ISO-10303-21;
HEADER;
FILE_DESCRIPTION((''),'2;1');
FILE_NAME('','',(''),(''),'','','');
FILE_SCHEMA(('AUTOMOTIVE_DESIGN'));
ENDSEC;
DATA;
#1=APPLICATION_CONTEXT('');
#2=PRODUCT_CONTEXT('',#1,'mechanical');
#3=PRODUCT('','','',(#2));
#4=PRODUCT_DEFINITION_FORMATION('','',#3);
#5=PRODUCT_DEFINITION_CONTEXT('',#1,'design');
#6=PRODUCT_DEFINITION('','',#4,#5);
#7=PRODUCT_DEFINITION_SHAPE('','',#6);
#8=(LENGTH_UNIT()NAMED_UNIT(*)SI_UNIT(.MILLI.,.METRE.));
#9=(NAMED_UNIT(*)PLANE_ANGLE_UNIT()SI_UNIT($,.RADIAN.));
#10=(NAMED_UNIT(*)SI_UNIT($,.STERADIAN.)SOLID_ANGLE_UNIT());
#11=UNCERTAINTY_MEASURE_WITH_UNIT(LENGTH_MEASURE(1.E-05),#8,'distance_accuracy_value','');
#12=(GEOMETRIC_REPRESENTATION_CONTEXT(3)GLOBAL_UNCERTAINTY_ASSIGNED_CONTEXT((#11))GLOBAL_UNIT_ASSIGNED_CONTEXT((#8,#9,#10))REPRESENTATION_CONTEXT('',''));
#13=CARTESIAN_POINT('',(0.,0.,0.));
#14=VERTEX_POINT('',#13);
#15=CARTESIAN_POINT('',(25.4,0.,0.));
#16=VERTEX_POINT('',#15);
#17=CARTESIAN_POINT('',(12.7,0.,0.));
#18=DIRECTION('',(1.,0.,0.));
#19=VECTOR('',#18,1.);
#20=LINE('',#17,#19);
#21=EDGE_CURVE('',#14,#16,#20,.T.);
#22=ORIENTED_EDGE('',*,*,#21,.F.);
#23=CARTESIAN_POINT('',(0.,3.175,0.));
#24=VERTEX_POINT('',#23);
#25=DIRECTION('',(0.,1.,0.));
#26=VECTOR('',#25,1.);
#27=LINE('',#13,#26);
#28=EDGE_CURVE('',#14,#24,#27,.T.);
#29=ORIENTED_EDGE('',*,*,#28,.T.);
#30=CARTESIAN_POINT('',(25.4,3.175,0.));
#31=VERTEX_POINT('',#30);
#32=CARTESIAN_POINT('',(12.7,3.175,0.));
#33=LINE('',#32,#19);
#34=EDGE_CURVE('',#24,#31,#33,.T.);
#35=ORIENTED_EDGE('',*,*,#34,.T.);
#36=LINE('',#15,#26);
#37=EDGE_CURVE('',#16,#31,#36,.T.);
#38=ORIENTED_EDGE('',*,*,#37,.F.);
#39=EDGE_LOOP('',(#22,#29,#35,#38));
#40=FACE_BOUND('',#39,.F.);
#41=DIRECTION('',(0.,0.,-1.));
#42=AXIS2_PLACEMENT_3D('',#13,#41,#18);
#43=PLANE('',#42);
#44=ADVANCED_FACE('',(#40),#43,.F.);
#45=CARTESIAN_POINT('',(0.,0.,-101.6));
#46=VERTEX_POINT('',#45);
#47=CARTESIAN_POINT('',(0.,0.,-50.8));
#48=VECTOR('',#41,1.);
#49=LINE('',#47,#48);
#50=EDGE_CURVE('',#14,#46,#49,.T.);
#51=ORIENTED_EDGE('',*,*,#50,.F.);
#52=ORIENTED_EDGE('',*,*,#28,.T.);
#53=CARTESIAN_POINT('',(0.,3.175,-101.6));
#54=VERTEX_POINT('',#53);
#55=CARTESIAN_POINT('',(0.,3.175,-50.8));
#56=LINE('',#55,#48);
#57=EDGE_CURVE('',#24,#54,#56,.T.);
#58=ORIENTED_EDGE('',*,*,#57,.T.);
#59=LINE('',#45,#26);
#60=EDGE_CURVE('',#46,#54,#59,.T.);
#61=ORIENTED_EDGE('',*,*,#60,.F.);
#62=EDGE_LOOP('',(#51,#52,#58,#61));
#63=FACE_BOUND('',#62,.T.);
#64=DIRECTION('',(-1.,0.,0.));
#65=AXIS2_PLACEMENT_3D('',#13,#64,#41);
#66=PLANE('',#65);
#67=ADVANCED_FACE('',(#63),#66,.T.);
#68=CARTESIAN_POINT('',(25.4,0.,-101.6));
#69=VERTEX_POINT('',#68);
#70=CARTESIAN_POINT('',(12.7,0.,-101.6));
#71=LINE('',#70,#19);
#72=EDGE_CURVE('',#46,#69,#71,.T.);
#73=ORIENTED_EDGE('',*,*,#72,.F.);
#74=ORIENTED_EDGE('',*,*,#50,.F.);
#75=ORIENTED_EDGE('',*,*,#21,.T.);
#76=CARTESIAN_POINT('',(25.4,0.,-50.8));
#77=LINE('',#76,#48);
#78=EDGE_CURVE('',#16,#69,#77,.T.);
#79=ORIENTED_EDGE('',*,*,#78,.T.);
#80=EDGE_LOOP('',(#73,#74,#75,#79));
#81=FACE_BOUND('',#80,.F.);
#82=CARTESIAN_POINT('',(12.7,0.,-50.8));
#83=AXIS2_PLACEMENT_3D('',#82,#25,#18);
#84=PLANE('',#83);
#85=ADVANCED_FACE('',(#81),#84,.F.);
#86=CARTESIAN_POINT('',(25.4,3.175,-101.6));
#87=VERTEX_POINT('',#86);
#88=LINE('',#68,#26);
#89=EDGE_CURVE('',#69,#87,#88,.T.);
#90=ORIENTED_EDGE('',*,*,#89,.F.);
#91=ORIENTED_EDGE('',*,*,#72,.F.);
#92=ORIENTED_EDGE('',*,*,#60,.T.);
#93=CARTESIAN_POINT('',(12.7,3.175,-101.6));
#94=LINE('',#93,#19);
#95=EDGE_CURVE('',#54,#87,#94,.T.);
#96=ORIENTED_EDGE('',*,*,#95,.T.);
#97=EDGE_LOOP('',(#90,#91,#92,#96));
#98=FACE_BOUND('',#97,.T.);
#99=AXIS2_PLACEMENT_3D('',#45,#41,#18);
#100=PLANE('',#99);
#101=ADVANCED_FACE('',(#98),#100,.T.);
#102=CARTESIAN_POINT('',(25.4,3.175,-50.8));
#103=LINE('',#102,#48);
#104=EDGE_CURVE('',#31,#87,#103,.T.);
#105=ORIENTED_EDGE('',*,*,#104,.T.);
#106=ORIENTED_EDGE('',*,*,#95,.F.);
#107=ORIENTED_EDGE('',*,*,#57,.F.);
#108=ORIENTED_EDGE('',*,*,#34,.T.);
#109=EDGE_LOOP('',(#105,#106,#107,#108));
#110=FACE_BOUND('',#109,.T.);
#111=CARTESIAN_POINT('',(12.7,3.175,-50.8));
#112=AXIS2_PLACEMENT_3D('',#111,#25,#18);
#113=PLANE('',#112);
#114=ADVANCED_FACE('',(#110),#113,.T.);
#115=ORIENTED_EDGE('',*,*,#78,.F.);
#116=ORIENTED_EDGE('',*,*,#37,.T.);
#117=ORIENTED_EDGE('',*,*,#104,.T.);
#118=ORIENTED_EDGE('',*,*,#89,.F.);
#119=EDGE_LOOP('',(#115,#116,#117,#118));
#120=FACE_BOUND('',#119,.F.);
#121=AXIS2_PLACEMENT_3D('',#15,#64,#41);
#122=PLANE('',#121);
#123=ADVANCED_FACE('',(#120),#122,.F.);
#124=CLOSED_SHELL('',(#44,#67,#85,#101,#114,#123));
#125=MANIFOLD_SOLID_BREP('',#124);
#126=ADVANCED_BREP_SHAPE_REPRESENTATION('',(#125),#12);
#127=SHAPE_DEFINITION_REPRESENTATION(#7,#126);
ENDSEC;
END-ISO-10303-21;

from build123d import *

# Parameters (mm, degrees)
SKETCH1_W           = 25.4
SKETCH1_H           = 101.6
BOSS_EXTRUDE1_DEPTH = 3.175


with BuildPart() as part:
    # Sketch1 → Boss-Extrude1 (new body)
    with BuildSketch(Plane(origin=(0, 0, 0), x_dir=(1, 0, 0), z_dir=(0, 1, 0))):
        with Locations((12.7, 50.8)):
            Rectangle(SKETCH1_W, SKETCH1_H)
    extrude(amount=BOSS_EXTRUDE1_DEPTH)


solid = part.part
